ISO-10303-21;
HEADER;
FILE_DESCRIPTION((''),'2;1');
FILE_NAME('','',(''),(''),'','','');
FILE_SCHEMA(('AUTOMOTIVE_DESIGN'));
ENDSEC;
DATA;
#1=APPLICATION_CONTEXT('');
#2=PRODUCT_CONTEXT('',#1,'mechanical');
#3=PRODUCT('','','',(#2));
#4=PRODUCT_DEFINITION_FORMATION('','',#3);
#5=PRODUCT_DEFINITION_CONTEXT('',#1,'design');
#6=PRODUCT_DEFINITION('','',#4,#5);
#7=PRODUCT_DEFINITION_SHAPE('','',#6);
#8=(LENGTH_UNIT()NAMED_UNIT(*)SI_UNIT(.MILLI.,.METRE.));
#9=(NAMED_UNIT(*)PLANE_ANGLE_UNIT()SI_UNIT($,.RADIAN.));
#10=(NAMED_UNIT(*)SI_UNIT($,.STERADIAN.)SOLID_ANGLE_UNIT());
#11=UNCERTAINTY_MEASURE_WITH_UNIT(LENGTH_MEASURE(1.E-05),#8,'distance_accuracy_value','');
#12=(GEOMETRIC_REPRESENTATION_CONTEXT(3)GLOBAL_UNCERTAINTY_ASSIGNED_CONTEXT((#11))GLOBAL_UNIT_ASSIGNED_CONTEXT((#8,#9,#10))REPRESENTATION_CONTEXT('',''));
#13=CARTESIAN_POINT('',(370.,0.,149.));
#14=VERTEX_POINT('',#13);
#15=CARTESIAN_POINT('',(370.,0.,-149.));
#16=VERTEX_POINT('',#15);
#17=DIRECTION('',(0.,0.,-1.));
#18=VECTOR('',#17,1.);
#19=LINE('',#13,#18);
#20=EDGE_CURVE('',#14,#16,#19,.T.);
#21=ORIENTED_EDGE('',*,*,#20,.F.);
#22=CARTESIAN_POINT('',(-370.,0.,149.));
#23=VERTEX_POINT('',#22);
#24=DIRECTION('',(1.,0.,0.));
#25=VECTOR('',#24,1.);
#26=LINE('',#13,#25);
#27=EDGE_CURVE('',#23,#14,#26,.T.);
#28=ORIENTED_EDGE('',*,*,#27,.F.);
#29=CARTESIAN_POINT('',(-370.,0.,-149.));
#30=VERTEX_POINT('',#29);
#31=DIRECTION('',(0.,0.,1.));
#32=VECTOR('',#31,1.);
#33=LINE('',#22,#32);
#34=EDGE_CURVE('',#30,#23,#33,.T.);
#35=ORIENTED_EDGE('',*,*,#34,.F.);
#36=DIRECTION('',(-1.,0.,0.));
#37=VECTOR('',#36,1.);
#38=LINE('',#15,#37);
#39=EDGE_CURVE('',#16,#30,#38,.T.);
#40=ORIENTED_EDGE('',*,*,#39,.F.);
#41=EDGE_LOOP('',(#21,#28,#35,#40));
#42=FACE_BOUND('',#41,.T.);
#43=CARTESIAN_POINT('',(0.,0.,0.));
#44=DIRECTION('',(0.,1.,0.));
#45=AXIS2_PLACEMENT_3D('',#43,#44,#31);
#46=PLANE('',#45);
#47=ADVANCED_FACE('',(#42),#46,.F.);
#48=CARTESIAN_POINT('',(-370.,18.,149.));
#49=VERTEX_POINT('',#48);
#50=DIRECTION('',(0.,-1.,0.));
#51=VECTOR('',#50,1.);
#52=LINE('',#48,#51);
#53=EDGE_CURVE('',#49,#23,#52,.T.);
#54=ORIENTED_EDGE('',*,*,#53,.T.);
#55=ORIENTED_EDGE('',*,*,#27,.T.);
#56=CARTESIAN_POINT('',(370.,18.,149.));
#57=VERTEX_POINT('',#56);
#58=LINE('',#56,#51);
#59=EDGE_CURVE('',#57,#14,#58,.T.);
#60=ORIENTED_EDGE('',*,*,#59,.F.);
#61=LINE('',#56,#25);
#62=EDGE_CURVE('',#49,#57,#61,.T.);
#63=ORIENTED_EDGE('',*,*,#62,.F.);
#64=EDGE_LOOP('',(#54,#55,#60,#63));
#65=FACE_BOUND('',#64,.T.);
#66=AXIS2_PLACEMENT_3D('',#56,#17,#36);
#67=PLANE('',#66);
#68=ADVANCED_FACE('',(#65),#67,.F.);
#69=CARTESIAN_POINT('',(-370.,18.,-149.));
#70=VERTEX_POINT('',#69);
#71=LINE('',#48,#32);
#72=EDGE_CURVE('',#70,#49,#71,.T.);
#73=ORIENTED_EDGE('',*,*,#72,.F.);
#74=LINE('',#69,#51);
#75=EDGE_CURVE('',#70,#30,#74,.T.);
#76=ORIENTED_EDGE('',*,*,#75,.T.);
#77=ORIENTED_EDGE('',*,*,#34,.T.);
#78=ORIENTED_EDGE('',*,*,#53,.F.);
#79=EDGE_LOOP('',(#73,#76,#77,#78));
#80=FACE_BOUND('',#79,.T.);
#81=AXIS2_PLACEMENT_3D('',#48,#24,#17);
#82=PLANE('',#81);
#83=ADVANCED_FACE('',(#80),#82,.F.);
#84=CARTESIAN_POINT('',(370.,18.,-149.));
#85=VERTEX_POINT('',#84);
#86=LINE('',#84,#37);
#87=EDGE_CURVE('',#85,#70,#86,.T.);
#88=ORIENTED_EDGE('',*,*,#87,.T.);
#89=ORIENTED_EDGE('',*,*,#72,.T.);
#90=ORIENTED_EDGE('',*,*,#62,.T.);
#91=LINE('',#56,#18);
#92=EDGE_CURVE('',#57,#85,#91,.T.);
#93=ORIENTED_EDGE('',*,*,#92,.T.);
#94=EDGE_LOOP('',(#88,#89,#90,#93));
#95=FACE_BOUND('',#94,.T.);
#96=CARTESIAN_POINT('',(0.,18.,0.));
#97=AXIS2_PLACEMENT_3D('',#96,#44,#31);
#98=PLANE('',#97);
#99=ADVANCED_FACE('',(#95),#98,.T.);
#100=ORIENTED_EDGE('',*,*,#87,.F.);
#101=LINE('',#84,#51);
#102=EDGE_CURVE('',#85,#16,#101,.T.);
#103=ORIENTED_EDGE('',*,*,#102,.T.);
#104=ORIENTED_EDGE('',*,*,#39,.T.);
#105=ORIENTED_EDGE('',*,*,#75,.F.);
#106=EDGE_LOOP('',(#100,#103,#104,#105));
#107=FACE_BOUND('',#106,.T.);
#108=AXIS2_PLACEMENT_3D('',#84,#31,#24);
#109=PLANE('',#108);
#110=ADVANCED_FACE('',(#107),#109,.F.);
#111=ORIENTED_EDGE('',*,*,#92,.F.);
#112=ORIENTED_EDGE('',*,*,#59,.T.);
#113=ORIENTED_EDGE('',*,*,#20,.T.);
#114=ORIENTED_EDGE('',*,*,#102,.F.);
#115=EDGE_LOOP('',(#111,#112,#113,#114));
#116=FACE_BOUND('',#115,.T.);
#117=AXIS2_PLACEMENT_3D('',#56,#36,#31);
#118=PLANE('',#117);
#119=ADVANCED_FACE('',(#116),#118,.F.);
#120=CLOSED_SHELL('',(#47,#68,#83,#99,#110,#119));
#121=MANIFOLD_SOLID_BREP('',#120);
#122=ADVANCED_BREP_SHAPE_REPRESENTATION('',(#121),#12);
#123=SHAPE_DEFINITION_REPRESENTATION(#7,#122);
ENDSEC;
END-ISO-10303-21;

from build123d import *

# Parameters (mm, degrees)
SKETCH_1_W      = 740
SKETCH_1_H      = 298
EXTRUDE_1_DEPTH = 18


with BuildPart() as part:
    # Эскиз1 → Бобышка-Вытянуть1 (new body)
    with BuildSketch(Plane(origin=(0, 0, 0), x_dir=(1, 0, 0), z_dir=(0, 1, 0))):
        Rectangle(SKETCH_1_W, SKETCH_1_H)
    extrude(amount=EXTRUDE_1_DEPTH)


solid = part.part
